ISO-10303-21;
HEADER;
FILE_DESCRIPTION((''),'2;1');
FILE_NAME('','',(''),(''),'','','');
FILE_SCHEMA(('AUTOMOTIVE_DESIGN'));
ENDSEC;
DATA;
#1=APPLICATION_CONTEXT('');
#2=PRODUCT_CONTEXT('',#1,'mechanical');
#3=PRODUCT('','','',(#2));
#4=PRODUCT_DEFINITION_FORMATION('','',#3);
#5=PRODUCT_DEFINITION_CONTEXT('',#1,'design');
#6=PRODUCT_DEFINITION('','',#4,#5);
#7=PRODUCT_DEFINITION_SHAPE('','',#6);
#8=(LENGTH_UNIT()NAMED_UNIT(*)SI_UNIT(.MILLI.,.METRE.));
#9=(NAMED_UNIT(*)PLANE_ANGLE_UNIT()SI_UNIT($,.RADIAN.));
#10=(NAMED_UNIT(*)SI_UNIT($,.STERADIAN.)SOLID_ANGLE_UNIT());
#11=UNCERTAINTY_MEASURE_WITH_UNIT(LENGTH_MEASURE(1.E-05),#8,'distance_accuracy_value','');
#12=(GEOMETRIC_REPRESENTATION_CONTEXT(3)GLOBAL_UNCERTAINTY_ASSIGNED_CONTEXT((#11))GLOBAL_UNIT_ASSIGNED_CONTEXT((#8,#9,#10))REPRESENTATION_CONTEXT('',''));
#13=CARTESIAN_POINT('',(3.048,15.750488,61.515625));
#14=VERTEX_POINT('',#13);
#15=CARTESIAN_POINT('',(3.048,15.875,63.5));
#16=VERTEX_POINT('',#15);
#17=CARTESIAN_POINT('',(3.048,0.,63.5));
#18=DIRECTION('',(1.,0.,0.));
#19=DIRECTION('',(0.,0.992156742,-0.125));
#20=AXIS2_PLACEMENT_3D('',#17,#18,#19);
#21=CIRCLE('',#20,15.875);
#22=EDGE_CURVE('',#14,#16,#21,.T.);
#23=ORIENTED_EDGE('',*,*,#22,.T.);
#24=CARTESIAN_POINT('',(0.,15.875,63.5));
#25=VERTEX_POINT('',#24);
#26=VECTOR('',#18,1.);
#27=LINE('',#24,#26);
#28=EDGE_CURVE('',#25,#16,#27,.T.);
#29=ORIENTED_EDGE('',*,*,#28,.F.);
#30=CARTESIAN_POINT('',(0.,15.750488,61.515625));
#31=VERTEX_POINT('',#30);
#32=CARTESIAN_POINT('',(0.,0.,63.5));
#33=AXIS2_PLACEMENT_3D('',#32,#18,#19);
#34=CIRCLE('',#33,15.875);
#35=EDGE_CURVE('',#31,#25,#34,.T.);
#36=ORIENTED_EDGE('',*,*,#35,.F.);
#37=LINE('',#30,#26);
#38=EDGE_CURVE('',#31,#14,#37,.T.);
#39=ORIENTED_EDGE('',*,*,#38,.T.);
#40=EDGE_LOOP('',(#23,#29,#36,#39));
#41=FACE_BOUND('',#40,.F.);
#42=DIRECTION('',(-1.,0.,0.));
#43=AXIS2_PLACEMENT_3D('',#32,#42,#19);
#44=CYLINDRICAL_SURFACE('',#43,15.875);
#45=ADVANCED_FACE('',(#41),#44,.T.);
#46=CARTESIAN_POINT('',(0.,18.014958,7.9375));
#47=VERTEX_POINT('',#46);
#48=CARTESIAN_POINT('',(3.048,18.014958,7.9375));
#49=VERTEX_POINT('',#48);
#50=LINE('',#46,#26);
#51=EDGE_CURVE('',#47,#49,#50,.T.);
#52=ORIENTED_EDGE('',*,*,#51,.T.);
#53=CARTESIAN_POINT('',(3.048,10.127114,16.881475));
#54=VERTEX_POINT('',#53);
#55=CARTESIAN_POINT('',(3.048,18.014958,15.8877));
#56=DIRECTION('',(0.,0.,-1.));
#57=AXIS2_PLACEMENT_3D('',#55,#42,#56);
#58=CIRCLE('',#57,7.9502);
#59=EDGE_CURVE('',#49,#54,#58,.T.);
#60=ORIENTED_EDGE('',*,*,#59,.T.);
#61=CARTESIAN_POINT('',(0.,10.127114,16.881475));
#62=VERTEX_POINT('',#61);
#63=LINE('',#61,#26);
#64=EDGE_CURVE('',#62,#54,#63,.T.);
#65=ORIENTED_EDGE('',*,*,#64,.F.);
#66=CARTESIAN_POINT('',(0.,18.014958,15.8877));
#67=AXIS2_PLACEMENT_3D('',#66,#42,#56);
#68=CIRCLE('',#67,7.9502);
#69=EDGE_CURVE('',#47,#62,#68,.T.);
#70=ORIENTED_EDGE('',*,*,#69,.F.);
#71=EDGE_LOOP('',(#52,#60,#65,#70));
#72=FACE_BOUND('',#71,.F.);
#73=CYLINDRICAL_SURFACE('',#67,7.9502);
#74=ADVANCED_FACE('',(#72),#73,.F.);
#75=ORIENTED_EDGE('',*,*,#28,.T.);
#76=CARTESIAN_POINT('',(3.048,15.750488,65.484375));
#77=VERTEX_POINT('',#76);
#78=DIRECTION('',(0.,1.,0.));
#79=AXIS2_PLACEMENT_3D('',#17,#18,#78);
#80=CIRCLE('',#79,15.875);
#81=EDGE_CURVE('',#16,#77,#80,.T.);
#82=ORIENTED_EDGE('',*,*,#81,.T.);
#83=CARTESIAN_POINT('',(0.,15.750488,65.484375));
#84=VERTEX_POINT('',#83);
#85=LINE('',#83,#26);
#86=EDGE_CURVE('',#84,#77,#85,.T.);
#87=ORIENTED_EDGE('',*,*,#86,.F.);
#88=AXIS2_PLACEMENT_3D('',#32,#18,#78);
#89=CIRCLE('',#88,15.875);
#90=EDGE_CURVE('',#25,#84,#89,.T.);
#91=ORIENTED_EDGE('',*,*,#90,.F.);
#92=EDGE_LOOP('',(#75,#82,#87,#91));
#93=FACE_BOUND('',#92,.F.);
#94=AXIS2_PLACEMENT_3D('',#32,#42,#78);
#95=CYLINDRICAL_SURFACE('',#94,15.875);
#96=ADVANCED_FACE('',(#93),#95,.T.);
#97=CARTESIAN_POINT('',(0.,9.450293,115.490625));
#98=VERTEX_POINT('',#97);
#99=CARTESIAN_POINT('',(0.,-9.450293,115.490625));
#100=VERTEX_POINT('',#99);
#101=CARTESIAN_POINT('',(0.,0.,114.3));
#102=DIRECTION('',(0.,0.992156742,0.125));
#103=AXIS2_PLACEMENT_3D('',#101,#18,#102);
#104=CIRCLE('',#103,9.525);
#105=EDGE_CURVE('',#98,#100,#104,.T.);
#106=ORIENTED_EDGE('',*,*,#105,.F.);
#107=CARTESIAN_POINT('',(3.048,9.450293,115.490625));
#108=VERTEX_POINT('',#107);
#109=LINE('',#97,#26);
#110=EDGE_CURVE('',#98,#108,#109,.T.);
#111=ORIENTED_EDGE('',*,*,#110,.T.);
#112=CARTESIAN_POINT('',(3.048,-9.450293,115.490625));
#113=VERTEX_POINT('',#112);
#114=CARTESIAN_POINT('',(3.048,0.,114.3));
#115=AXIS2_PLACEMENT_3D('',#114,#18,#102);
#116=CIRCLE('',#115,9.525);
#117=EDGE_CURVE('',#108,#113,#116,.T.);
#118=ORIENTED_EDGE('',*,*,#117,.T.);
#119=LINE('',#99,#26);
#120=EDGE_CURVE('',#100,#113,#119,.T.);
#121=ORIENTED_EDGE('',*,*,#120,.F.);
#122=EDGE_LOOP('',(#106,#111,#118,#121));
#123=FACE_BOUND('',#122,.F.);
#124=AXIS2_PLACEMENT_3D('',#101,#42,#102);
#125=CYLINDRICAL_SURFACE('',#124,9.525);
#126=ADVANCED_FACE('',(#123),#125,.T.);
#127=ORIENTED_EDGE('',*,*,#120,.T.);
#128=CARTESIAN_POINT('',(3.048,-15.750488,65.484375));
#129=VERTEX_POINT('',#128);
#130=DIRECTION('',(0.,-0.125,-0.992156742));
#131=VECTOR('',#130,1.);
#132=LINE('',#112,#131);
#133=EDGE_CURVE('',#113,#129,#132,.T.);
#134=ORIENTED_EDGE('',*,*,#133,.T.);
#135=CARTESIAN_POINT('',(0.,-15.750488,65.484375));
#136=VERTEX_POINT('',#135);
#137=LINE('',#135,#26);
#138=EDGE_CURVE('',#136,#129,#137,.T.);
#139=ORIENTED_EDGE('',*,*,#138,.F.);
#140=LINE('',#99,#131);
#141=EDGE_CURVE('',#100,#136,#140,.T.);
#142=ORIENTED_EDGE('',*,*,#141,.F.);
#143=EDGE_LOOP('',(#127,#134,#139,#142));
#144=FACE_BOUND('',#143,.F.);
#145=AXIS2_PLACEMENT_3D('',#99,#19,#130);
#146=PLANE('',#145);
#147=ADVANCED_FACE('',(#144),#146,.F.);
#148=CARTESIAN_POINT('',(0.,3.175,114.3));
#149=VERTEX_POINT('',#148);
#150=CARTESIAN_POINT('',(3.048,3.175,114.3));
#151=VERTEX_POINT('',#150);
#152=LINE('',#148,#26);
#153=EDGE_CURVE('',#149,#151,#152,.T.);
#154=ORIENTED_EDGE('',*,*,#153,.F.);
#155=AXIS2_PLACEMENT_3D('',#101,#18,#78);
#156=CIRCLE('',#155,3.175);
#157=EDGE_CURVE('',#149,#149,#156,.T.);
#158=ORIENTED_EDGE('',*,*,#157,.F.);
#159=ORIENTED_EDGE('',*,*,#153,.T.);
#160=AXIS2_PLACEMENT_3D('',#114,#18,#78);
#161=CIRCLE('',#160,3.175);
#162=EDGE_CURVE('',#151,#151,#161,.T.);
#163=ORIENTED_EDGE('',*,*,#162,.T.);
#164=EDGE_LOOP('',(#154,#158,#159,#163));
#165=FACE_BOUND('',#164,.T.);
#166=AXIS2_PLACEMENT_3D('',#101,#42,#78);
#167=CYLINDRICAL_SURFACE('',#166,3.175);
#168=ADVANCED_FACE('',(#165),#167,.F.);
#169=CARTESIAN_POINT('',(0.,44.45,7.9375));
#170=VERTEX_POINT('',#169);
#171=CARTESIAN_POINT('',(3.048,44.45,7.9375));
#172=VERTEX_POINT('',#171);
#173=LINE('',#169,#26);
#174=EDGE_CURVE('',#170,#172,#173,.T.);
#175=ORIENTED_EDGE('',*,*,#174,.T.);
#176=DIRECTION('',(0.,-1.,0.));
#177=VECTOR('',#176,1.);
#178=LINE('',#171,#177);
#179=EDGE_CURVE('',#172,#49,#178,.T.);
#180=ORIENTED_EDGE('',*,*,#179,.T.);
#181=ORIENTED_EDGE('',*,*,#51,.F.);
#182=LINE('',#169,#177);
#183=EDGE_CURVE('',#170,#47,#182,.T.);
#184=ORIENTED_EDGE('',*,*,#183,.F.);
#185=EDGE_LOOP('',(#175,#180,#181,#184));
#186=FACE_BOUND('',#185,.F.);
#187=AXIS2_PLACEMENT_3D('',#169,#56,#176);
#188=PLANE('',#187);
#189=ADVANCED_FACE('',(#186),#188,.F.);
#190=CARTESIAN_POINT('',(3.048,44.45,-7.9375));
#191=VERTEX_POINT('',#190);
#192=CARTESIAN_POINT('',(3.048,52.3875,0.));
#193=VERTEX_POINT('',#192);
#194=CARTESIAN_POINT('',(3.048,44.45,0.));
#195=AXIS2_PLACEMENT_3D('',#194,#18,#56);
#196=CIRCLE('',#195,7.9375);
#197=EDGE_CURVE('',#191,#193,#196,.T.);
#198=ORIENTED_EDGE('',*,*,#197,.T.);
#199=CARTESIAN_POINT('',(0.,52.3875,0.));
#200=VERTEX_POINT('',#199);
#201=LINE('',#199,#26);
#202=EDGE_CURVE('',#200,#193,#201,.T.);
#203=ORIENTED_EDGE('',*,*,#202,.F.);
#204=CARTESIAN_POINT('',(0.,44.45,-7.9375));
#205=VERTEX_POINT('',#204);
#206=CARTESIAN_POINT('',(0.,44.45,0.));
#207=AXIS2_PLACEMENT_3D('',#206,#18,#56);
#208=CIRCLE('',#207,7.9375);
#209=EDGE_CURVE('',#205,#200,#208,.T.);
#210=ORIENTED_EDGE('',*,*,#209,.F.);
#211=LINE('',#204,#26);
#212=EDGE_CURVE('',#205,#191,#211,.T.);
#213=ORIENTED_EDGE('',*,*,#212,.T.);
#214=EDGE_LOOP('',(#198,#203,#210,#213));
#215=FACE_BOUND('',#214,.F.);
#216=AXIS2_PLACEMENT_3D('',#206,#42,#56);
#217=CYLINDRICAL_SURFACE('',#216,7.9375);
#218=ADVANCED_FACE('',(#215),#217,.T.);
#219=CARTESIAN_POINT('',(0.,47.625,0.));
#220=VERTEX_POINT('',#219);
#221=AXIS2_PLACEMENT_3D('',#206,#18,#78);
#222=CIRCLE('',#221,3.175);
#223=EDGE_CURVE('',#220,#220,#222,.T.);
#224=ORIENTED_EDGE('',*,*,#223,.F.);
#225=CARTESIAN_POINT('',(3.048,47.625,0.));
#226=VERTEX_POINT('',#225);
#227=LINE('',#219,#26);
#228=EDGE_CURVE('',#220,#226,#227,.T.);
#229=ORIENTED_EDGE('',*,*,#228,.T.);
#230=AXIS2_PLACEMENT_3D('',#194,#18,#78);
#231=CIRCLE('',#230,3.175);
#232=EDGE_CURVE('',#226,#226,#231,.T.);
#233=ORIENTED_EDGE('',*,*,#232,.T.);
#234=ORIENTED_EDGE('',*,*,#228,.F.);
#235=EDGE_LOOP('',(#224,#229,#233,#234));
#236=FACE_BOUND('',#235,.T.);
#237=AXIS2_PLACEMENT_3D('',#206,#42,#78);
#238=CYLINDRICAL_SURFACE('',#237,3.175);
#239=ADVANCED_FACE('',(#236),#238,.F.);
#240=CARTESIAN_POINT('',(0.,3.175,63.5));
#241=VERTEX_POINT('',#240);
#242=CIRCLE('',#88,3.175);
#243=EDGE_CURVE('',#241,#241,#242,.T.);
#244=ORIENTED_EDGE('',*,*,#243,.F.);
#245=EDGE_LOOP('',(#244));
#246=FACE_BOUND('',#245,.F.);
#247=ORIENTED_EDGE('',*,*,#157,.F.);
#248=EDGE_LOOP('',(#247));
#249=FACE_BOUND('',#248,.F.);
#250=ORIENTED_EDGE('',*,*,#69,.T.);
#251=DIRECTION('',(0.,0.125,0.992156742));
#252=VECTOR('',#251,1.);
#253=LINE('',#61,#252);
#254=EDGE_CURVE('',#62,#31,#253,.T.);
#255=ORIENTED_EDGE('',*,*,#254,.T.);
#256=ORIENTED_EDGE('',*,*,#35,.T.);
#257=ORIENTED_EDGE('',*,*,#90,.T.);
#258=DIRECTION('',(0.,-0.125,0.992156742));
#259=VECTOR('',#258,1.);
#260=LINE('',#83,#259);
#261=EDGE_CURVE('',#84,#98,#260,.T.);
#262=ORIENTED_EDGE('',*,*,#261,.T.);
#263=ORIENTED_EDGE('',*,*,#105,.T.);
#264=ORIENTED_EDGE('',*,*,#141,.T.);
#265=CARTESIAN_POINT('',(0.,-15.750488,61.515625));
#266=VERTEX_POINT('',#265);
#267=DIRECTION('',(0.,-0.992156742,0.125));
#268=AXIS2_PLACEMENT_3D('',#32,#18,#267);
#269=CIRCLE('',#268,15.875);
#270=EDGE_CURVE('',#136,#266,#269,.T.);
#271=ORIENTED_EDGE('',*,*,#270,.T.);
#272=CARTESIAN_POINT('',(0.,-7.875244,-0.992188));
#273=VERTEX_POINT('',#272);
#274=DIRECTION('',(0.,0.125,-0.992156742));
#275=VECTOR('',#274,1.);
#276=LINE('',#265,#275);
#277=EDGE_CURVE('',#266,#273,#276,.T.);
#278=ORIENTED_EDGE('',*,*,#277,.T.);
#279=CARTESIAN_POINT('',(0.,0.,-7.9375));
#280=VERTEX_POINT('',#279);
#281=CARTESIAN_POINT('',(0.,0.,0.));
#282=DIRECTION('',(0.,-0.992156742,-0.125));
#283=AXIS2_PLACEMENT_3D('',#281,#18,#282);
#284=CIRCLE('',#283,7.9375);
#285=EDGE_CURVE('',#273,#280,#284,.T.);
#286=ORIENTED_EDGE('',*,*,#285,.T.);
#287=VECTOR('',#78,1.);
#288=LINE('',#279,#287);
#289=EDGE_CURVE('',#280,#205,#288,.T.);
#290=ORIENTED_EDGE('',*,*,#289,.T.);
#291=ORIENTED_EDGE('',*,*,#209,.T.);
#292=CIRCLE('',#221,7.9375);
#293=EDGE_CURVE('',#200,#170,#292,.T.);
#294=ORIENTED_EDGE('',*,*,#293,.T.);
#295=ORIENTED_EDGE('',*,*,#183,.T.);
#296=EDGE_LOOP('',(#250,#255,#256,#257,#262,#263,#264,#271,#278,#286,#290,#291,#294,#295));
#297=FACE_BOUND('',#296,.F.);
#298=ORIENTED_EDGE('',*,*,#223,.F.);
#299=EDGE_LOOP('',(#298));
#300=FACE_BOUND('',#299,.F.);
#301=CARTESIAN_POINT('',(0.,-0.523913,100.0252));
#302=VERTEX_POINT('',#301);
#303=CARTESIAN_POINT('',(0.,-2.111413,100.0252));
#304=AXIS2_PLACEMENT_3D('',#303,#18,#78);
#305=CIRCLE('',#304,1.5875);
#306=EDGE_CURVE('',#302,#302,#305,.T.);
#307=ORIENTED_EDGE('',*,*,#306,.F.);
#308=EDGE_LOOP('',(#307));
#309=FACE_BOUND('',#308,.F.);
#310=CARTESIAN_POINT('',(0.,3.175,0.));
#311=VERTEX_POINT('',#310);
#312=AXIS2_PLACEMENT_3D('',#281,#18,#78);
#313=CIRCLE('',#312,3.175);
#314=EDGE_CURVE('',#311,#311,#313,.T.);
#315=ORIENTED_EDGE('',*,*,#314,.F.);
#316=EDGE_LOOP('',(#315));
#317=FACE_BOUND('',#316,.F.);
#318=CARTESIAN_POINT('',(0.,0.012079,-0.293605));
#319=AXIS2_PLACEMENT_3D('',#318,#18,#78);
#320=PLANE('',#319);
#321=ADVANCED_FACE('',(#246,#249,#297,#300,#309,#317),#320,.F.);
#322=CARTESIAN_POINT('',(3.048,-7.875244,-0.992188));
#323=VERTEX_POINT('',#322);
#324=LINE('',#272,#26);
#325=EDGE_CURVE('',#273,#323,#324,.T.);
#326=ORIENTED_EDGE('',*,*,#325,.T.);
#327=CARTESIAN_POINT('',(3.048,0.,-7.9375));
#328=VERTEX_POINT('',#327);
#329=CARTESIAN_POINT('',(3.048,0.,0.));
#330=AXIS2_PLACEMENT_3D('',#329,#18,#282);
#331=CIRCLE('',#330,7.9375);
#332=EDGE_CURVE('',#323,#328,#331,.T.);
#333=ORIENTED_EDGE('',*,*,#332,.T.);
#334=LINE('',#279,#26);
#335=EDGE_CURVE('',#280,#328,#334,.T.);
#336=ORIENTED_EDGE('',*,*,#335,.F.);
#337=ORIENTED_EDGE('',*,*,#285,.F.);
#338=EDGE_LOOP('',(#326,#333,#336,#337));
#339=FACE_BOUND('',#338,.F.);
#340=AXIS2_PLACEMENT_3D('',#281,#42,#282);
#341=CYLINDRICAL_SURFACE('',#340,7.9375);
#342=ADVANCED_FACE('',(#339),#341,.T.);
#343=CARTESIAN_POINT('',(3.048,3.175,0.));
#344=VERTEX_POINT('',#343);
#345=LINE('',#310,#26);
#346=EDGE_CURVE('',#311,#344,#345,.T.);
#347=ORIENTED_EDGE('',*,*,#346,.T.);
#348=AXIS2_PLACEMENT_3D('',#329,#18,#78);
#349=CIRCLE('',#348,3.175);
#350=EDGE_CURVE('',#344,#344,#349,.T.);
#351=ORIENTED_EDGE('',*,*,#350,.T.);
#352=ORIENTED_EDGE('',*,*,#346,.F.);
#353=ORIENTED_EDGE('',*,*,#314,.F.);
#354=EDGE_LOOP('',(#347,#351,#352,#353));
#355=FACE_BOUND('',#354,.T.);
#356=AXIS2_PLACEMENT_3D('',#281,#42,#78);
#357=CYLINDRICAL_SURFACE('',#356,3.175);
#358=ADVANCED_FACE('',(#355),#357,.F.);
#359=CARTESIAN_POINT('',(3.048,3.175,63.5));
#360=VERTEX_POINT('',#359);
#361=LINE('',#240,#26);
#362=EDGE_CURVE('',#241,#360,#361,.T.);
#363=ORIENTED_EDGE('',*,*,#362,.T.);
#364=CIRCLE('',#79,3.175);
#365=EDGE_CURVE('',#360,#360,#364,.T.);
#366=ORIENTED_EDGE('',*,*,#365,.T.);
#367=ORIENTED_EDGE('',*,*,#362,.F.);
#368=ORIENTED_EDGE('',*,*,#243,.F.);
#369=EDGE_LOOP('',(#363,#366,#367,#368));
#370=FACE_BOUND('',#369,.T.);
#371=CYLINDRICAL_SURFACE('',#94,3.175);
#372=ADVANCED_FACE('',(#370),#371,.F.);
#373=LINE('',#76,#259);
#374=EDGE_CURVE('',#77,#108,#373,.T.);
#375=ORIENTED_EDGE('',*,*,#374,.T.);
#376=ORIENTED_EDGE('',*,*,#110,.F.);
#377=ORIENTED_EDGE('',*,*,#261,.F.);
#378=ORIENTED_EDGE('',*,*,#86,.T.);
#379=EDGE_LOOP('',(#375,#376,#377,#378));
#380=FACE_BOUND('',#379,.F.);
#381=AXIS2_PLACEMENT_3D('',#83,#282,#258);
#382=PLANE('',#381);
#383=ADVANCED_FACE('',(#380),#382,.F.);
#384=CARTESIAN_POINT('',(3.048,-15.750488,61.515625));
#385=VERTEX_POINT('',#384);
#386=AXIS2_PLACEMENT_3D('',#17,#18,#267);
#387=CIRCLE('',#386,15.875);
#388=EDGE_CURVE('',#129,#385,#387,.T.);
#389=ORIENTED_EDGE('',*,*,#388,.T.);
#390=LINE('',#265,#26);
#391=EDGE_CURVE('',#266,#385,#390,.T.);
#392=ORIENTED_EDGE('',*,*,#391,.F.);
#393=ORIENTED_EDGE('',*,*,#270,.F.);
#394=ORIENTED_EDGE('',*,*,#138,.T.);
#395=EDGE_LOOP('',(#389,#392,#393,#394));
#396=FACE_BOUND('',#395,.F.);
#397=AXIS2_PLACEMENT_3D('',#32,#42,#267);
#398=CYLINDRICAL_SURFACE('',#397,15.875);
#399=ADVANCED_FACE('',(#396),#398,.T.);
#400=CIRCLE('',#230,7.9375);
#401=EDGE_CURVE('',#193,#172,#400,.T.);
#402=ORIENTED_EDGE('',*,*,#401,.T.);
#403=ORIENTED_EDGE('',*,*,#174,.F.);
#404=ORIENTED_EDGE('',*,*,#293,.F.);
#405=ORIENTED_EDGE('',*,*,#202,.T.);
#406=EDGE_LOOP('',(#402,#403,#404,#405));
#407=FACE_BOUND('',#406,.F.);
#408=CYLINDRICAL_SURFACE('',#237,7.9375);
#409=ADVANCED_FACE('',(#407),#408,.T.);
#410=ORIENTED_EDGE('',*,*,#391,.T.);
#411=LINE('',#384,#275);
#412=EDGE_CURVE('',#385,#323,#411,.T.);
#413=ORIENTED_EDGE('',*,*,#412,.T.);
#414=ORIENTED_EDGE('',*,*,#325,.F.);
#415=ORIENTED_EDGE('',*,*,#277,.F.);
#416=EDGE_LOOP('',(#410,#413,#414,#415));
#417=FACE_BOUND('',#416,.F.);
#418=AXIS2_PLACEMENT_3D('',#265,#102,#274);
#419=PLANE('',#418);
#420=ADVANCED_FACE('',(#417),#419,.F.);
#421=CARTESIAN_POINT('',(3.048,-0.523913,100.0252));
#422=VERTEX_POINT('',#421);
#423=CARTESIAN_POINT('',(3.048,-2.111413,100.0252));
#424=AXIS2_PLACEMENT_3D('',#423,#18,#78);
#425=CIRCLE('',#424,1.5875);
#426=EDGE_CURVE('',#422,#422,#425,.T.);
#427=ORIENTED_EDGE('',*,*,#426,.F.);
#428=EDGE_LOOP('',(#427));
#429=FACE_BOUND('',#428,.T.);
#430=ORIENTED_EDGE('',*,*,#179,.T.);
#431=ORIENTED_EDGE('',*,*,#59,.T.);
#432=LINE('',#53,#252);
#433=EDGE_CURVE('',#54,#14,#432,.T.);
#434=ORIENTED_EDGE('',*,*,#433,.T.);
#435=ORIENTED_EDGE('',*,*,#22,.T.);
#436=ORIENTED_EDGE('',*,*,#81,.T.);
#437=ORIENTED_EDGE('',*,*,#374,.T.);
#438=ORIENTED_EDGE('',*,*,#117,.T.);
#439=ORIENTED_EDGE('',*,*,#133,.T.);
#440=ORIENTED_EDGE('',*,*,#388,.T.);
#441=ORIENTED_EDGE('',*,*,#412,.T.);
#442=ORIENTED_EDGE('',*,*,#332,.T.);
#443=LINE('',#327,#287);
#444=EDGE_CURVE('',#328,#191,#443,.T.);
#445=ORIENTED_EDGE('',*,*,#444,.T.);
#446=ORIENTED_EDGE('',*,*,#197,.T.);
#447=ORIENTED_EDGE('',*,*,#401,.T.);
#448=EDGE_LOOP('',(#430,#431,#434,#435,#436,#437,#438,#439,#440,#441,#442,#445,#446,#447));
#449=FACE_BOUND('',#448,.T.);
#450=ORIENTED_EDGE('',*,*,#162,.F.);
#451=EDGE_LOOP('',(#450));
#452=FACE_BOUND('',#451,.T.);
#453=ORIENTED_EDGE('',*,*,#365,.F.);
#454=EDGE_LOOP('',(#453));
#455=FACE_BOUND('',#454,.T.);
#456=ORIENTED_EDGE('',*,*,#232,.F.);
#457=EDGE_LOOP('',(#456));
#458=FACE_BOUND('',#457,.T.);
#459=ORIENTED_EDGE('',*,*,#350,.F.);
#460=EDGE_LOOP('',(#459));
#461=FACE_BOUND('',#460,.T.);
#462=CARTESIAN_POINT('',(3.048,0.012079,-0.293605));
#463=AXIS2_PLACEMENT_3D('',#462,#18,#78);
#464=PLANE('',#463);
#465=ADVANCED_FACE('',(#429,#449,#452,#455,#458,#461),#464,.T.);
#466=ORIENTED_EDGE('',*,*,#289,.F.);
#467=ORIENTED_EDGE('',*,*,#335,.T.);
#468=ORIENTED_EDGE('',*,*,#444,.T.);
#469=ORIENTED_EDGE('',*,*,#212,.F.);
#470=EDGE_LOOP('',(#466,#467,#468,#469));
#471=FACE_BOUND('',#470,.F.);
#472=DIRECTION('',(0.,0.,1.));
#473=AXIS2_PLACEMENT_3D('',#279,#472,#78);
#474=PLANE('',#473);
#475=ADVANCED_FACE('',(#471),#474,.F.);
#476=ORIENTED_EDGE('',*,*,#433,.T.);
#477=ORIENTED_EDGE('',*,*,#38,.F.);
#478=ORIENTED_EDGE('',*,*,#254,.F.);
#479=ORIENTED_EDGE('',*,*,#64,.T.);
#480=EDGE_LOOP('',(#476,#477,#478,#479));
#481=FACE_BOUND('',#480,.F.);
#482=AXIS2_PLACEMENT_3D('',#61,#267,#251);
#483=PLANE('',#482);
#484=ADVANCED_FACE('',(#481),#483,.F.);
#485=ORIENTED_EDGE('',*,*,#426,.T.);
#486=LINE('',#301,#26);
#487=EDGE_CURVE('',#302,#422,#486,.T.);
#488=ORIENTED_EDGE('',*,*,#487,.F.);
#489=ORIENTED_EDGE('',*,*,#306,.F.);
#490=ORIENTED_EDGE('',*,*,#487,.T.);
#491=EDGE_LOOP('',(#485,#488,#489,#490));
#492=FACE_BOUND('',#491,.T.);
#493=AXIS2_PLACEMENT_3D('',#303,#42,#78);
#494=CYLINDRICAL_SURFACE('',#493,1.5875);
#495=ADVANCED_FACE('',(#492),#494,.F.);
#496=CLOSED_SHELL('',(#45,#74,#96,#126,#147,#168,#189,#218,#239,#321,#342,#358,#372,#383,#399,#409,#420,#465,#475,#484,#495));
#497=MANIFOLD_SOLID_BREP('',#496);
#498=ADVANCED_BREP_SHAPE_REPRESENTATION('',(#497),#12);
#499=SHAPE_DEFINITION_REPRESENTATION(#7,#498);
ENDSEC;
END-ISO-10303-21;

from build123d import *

# Parameters (mm, degrees)
F0_R     = 3.175
F0_R_2   = 1.5875
F1_DEPTH = 3.048


with BuildPart() as f1:
    # F0 (on Right) → F1 (new body)
    with BuildSketch(Plane.YZ):
        with BuildLine():
            ThreePointArc((0, -7.9375), (5.6126600757, -5.6126600757), (7.9375, 0))
            ThreePointArc((7.9375, 0), (-0.4970693683, 7.9219207452), (-7.8752441368, -0.9921875))
            ThreePointArc((-7.8752441368, -0.9921875), (-5.2501627579, -5.953125), (0, -7.9375))
        make_face()
        Circle(F0_R, mode=Mode.SUBTRACT)
        with BuildLine():
            ThreePointArc((-7.8752441368, -0.9921875), (-0.4970693683, 7.9219207452), (7.9375, 0))
            ThreePointArc((7.9375, 0), (5.6126600757, -5.6126600757), (0, -7.9375))
            Line((0, -7.9375), (44.45, -7.9375))
            ThreePointArc((44.45, -7.9375), (36.5125, 0), (44.45, 7.9375))
            Line((44.45, 7.9375), (18.0149584735, 7.9375))
            ThreePointArc((18.0149584735, 7.9375), (12.0523084735, 10.6291369817), (10.127113946, 16.881475))
            Line((10.127113946, 16.881475), (15.7504882737, 61.515625))
            ThreePointArc((15.7504882737, 61.515625), (0, 47.625), (-15.7504882737, 61.515625))
            Line((-15.7504882737, 61.515625), (-7.8752441368, -0.9921875))
        make_face()
        with BuildLine():
            ThreePointArc((-15.7504882737, 65.484375), (-15.875, 63.5), (-15.7504882737, 61.515625))
            ThreePointArc((-15.7504882737, 61.515625), (0, 47.625), (15.7504882737, 61.515625))
            ThreePointArc((15.7504882737, 61.515625), (15.8438414904, 62.5058612634), (15.875, 63.5))
            ThreePointArc((15.875, 63.5), (15.8438414904, 64.4941387366), (15.7504882737, 65.484375))
            ThreePointArc((15.7504882737, 65.484375), (0, 79.375), (-15.7504882737, 65.484375))
        make_face()
        with Locations((0, 63.5)):
            Circle(F0_R, mode=Mode.SUBTRACT)
        with BuildLine():
            ThreePointArc((44.45, 7.9375), (36.5125, 0), (44.45, -7.9375))
            ThreePointArc((44.45, -7.9375), (50.0626600757, -5.6126600757), (52.3875, 0))
            ThreePointArc((52.3875, 0), (50.0626600757, 5.6126600757), (44.45, 7.9375))
        make_face()
        with Locations((44.45, 0)):
            Circle(F0_R, mode=Mode.SUBTRACT)
        with BuildLine():
            Line((-9.4502929642, 115.490625), (-15.7504882737, 65.484375))
            ThreePointArc((-15.7504882737, 65.484375), (0, 79.375), (15.7504882737, 65.484375))
            Line((15.7504882737, 65.484375), (9.4502929642, 115.490625))
            ThreePointArc((9.4502929642, 115.490625), (9.5063048942, 114.896483242), (9.525, 114.3))
            ThreePointArc((9.525, 114.3), (-0.596483242, 104.7936951058), (-9.4502929642, 115.490625))
        make_face()
        with Locations((-2.1114125848, 100.0252)):
            Circle(F0_R_2, mode=Mode.SUBTRACT)
        with BuildLine():
            ThreePointArc((9.4502929642, 115.490625), (0, 123.825), (-9.4502929642, 115.490625))
            ThreePointArc((-9.4502929642, 115.490625), (-0.596483242, 104.7936951058), (9.525, 114.3))
            ThreePointArc((9.525, 114.3), (9.5063048942, 114.896483242), (9.4502929642, 115.490625))
        make_face()
        with Locations((0, 114.3)):
            Circle(F0_R, mode=Mode.SUBTRACT)
    extrude(amount=F1_DEPTH)


solid = f1.part
